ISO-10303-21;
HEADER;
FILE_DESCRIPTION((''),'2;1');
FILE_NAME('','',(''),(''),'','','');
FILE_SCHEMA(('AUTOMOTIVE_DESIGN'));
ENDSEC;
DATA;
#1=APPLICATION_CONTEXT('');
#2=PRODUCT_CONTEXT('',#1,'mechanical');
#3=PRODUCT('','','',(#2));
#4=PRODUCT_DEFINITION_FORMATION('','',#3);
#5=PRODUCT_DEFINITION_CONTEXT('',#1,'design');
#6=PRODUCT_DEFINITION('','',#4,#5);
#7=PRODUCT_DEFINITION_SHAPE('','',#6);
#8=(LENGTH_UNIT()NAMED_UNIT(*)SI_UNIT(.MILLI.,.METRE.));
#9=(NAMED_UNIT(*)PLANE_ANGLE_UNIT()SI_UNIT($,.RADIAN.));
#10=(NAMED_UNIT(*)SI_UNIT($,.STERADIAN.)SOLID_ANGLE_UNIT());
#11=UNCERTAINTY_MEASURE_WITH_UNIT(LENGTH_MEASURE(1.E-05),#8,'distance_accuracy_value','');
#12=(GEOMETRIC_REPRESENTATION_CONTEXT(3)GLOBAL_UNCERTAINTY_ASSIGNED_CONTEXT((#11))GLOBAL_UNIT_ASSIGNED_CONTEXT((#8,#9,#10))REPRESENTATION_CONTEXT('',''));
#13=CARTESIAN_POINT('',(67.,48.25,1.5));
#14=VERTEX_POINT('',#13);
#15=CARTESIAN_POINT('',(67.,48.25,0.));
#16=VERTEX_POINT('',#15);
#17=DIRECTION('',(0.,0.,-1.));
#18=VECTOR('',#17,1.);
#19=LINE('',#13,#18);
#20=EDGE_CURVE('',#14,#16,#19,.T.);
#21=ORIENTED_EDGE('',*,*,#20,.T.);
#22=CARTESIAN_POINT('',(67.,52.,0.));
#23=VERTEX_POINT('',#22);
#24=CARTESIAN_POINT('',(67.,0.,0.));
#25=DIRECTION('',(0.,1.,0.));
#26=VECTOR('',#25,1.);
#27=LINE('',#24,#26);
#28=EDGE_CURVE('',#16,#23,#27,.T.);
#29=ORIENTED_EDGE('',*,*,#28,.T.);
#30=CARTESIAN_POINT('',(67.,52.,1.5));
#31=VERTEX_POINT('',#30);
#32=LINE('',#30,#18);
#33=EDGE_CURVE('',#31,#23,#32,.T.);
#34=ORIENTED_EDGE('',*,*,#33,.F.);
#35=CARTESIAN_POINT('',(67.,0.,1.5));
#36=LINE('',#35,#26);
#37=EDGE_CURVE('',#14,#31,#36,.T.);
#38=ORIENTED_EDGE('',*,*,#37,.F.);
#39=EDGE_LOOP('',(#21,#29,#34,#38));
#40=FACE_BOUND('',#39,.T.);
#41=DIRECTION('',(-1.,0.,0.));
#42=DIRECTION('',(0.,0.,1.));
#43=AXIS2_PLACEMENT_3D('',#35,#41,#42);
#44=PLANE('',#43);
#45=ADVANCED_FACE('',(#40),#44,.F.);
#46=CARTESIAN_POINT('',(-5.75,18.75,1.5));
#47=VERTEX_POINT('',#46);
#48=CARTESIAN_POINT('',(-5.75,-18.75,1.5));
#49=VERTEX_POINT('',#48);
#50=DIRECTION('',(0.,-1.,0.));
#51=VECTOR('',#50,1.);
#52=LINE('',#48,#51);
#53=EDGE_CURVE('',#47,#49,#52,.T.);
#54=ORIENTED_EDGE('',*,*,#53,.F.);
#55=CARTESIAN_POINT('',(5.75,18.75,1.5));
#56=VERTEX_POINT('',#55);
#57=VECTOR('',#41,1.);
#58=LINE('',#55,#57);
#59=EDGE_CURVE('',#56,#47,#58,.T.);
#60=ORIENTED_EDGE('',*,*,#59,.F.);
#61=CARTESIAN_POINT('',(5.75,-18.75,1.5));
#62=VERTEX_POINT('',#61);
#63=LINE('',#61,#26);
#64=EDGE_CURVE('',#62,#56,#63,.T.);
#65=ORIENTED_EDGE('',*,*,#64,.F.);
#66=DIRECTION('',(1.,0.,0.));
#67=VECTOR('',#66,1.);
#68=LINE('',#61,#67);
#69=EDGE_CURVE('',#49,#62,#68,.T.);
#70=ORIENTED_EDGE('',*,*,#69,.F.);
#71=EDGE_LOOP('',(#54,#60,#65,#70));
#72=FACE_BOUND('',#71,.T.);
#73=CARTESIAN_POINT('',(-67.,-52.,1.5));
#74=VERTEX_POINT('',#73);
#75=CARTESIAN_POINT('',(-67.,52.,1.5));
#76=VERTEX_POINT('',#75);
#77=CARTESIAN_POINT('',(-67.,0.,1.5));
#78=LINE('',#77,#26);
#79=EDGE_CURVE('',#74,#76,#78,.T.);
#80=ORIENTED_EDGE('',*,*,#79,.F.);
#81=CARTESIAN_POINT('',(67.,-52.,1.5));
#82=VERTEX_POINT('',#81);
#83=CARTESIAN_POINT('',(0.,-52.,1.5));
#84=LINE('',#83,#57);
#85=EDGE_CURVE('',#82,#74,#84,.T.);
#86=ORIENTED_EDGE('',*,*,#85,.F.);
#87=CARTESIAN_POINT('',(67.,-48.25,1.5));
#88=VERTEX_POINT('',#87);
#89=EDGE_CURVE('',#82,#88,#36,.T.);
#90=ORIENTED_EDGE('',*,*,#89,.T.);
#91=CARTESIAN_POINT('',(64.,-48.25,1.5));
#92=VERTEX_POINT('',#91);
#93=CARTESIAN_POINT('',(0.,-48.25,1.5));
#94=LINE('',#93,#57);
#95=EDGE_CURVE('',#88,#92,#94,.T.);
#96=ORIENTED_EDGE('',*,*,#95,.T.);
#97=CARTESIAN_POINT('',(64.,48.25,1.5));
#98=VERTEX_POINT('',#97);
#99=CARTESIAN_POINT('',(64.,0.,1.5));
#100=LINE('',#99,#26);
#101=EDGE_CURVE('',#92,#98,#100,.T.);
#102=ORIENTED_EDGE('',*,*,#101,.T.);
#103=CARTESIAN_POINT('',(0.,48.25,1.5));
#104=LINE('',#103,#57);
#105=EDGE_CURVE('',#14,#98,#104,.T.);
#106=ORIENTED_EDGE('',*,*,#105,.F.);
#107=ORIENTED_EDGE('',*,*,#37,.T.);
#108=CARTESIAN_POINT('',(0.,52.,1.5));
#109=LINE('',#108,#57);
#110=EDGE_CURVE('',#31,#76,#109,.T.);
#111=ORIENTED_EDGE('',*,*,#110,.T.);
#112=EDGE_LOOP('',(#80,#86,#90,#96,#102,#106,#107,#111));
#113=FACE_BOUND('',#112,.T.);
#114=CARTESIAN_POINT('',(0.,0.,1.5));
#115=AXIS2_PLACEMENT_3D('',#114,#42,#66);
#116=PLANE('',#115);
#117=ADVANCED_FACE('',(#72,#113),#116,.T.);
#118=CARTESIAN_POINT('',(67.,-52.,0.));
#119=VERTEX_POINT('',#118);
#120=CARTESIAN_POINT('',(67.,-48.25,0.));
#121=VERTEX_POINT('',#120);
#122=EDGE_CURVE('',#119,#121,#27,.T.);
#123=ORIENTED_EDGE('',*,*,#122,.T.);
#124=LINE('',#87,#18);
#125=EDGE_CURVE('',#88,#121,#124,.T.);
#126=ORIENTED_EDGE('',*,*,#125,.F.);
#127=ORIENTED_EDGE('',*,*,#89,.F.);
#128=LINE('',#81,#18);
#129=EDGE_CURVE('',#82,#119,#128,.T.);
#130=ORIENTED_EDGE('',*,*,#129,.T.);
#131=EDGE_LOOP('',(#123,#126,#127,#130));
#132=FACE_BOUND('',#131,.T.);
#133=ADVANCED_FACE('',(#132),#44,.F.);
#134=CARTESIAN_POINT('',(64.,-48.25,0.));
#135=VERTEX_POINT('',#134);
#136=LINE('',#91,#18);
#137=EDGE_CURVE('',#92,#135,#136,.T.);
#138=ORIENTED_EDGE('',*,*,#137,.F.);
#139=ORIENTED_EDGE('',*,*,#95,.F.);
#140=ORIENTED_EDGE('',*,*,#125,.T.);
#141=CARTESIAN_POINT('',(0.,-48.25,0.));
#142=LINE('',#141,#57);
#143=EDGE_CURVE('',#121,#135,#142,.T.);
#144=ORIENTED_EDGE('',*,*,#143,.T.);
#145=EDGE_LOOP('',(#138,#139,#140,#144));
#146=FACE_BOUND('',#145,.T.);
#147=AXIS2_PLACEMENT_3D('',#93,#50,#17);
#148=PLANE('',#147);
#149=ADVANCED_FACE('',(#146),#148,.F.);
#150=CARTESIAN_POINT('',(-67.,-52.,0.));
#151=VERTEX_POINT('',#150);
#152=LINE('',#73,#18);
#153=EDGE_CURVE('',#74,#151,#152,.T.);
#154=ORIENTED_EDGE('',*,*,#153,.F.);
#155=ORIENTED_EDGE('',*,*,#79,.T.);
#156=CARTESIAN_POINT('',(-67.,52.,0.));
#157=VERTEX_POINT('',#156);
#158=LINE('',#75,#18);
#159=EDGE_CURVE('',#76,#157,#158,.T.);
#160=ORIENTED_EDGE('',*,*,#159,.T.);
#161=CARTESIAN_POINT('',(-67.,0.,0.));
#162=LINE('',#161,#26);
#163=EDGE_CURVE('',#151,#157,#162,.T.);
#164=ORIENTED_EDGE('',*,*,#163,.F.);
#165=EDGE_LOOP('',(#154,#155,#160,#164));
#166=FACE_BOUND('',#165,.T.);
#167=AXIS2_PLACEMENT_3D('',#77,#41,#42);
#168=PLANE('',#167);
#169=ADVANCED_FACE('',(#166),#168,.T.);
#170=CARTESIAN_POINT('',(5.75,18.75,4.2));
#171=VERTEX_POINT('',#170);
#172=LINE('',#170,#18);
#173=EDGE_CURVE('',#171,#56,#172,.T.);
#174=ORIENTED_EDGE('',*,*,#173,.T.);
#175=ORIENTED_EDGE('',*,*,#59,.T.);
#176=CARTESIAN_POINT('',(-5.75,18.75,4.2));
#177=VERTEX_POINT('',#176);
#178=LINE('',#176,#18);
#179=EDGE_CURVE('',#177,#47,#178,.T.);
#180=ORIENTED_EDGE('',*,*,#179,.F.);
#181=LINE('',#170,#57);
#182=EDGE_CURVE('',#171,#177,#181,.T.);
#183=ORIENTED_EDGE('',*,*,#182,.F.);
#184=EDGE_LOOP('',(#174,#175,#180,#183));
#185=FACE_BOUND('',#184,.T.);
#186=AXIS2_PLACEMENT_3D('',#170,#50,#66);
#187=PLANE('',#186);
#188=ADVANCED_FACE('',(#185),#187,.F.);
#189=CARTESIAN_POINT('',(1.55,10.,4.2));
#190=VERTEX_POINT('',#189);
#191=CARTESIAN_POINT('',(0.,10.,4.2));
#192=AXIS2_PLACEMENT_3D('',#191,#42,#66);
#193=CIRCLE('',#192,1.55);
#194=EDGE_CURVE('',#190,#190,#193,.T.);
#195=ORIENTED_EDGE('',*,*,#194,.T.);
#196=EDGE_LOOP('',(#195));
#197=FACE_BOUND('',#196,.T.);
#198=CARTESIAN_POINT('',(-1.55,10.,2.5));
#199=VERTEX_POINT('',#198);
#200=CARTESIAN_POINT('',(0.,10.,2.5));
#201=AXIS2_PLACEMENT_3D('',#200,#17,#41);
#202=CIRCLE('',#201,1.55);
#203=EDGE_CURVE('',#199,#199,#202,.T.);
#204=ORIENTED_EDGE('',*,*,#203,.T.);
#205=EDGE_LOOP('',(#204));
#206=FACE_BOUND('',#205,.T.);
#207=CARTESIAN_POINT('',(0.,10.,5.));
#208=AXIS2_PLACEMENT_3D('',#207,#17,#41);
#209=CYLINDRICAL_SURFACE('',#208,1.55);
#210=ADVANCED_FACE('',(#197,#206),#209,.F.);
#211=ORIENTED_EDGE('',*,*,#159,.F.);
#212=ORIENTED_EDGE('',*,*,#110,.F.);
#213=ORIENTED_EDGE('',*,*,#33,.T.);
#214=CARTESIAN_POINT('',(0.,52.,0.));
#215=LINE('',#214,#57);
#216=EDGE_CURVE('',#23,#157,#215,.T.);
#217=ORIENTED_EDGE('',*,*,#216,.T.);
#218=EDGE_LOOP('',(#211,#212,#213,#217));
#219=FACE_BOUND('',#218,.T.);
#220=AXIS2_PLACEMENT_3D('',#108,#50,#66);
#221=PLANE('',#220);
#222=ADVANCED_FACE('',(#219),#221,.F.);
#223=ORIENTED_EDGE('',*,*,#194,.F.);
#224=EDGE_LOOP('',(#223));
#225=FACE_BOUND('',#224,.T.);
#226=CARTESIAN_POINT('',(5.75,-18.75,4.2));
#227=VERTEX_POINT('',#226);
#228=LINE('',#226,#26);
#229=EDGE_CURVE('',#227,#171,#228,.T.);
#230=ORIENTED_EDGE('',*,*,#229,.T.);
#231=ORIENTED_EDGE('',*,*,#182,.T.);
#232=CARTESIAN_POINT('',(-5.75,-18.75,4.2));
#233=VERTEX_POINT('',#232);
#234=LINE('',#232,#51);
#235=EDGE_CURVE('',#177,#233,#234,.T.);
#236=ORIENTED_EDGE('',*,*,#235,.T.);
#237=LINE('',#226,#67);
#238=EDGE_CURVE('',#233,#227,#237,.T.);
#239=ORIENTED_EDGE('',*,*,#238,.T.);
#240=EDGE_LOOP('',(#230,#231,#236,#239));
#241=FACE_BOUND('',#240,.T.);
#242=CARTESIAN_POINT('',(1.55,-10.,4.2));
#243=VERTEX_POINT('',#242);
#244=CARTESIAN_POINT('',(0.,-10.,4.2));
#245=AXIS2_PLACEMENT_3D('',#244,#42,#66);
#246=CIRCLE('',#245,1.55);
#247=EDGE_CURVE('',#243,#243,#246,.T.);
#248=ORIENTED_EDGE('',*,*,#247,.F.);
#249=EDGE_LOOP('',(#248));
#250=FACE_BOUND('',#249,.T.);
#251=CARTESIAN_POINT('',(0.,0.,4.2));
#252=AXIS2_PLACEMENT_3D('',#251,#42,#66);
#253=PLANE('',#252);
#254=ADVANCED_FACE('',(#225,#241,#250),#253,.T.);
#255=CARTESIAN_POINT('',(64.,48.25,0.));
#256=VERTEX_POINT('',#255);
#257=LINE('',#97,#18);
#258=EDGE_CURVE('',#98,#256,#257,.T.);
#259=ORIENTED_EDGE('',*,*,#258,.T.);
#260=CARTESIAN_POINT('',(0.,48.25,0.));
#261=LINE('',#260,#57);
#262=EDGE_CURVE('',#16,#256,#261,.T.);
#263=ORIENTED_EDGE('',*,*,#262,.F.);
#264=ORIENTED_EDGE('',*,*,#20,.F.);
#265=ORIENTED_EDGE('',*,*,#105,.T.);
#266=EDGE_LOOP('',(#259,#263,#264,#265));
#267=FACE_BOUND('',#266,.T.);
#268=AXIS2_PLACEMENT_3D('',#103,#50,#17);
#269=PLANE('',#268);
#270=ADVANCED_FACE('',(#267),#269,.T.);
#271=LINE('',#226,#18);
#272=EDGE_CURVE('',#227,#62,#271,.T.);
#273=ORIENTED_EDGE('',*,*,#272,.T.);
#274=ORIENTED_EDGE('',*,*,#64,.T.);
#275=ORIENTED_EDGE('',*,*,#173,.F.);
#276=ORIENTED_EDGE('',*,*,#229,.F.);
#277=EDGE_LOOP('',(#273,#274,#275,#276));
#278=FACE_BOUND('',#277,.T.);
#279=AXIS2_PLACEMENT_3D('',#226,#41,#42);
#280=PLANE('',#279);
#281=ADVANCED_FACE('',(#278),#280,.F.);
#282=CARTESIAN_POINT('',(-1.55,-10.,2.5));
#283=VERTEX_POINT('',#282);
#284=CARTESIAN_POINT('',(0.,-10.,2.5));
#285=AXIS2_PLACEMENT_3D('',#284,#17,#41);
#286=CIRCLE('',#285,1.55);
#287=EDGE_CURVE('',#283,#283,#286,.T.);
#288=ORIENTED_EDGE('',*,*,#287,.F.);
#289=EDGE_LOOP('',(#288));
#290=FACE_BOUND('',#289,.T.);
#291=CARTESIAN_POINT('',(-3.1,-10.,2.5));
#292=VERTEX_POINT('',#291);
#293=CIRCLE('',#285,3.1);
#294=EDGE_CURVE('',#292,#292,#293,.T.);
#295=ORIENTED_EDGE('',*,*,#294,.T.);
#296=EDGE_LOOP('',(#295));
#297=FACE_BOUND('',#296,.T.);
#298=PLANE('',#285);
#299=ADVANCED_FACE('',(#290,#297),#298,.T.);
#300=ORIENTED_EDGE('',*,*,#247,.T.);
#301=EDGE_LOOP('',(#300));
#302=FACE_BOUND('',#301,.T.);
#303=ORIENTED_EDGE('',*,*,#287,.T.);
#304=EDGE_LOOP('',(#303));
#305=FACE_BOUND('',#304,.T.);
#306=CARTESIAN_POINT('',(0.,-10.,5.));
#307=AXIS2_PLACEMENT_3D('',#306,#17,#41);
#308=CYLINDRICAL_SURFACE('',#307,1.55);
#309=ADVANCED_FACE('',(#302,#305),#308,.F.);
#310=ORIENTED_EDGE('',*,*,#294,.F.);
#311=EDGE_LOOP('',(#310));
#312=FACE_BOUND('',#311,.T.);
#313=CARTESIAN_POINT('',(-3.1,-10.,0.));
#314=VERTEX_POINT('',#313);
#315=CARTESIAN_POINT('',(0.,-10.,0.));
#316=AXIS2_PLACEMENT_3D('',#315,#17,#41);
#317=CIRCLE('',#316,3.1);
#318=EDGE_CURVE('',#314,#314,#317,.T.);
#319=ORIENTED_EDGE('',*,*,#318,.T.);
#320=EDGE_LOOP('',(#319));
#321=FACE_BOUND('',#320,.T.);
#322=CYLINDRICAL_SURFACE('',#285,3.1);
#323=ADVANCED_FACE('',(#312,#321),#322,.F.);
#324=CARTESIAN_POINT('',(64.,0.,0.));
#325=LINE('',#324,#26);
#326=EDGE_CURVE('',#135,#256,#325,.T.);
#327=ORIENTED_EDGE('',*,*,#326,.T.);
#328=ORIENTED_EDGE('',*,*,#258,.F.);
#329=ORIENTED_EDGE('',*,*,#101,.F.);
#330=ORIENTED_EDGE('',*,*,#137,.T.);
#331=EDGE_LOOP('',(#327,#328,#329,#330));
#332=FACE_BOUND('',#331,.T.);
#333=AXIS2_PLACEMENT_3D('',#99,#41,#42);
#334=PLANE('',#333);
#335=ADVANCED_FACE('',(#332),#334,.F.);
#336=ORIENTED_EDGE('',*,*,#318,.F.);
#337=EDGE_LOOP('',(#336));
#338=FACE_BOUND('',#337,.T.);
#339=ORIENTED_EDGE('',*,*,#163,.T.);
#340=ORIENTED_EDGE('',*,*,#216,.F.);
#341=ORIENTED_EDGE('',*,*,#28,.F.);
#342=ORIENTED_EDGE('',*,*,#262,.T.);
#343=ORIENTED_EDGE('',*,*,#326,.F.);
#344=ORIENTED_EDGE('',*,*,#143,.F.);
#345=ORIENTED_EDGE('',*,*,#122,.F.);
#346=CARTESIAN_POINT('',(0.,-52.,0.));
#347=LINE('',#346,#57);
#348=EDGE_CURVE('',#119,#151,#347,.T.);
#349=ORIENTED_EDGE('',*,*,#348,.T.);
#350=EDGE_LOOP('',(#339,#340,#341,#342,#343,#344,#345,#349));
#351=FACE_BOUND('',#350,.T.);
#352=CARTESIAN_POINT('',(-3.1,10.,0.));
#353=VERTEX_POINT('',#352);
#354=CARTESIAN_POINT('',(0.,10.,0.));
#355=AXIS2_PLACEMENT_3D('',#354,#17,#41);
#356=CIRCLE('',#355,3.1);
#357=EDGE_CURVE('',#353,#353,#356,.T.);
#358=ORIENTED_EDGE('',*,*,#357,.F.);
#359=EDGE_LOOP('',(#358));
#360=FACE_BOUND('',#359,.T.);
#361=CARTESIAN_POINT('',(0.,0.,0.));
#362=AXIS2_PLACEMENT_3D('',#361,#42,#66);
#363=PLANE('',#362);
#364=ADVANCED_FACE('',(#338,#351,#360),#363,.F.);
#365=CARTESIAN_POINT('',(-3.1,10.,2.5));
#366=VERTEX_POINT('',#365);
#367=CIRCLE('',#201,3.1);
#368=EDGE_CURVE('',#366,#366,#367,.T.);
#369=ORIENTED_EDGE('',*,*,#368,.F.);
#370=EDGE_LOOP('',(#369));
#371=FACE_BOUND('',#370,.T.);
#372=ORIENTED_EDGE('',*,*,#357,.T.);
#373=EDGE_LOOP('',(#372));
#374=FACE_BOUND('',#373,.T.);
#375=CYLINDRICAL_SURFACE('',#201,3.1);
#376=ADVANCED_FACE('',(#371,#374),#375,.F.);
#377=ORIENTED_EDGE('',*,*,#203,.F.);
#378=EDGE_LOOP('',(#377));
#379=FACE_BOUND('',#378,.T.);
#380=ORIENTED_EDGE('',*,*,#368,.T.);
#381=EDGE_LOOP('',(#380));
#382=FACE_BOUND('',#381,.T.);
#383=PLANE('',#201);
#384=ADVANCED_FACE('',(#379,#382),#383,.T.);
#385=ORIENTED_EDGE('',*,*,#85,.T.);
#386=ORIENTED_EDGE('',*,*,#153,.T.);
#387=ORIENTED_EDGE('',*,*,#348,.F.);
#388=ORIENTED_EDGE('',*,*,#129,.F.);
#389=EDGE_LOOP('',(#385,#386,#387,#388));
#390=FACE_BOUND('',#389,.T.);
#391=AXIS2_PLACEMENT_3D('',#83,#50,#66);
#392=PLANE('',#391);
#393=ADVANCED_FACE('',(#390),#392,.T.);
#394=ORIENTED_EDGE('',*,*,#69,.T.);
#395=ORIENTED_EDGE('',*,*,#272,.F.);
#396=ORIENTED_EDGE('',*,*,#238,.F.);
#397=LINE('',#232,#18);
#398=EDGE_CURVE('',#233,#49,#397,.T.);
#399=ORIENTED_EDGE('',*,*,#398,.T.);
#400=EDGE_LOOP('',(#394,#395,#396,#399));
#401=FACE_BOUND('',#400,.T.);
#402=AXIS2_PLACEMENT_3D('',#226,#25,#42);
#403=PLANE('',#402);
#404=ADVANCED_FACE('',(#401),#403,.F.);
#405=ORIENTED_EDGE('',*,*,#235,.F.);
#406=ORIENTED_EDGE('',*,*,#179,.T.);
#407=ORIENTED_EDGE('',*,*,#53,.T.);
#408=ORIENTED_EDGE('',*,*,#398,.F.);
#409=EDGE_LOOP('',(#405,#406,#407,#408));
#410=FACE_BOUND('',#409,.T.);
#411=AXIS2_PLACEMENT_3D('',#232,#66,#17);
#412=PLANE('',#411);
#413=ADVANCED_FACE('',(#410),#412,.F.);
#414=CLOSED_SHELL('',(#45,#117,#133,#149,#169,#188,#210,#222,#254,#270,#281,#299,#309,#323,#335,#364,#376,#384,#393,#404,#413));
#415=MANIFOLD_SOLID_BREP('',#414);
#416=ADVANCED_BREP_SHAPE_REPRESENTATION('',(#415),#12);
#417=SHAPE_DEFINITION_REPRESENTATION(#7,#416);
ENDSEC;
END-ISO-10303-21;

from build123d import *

# Parameters (mm, degrees)
EXTRUDE_2_DEPTH     = 1.5
SKETCH_2_W          = 11.5
SKETCH_2_H          = 37.5
EXTRUDE_3_DEPTH     = 2.7
SKETCH_3_R          = 3.1
CUT_EXTRUDE_1_DEPTH = 2.5
SKETCH_4_R          = 1.55
CUT_EXTRUDE_2_DEPTH = 2.5


with BuildPart() as part:
    # Эскиз1 → Бобышка-Вытянуть2 (new body)
    with BuildSketch(Plane.XY):
        Polygon((-67, -52), (67, -52), (67, -48.25), (64, -48.25), (64, 48.25), (67, 48.25), (67, 52), (-67, 52), align=None)
    extrude(amount=EXTRUDE_2_DEPTH)

    # Эскиз2 → Бобышка-Вытянуть3 (add)
    with BuildSketch(Plane.XY.offset(1.5)):
        Rectangle(SKETCH_2_W, SKETCH_2_H)
    extrude(amount=EXTRUDE_3_DEPTH)

    # Эскиз3 → Вырез-Вытянуть1 (cut)
    with BuildSketch(Plane(origin=(0, 0, 0), x_dir=(-1, 0, 0), z_dir=(0, 0, -1))):
        with Locations((0, -10)):
            Circle(SKETCH_3_R)
        with Locations((0, 10)):
            Circle(SKETCH_3_R)
    extrude(amount=-CUT_EXTRUDE_1_DEPTH, mode=Mode.SUBTRACT)

    # Эскиз4 → Вырез-Вытянуть2 (cut)
    with BuildSketch(Plane(origin=(0, 0, 2.5), x_dir=(-1, 0, 0), z_dir=(0, 0, -1))):
        with Locations((0, -10)):
            Circle(SKETCH_4_R)
        with Locations((0, 10)):
            Circle(SKETCH_4_R)
    extrude(amount=-CUT_EXTRUDE_2_DEPTH, mode=Mode.SUBTRACT)


solid = part.part
